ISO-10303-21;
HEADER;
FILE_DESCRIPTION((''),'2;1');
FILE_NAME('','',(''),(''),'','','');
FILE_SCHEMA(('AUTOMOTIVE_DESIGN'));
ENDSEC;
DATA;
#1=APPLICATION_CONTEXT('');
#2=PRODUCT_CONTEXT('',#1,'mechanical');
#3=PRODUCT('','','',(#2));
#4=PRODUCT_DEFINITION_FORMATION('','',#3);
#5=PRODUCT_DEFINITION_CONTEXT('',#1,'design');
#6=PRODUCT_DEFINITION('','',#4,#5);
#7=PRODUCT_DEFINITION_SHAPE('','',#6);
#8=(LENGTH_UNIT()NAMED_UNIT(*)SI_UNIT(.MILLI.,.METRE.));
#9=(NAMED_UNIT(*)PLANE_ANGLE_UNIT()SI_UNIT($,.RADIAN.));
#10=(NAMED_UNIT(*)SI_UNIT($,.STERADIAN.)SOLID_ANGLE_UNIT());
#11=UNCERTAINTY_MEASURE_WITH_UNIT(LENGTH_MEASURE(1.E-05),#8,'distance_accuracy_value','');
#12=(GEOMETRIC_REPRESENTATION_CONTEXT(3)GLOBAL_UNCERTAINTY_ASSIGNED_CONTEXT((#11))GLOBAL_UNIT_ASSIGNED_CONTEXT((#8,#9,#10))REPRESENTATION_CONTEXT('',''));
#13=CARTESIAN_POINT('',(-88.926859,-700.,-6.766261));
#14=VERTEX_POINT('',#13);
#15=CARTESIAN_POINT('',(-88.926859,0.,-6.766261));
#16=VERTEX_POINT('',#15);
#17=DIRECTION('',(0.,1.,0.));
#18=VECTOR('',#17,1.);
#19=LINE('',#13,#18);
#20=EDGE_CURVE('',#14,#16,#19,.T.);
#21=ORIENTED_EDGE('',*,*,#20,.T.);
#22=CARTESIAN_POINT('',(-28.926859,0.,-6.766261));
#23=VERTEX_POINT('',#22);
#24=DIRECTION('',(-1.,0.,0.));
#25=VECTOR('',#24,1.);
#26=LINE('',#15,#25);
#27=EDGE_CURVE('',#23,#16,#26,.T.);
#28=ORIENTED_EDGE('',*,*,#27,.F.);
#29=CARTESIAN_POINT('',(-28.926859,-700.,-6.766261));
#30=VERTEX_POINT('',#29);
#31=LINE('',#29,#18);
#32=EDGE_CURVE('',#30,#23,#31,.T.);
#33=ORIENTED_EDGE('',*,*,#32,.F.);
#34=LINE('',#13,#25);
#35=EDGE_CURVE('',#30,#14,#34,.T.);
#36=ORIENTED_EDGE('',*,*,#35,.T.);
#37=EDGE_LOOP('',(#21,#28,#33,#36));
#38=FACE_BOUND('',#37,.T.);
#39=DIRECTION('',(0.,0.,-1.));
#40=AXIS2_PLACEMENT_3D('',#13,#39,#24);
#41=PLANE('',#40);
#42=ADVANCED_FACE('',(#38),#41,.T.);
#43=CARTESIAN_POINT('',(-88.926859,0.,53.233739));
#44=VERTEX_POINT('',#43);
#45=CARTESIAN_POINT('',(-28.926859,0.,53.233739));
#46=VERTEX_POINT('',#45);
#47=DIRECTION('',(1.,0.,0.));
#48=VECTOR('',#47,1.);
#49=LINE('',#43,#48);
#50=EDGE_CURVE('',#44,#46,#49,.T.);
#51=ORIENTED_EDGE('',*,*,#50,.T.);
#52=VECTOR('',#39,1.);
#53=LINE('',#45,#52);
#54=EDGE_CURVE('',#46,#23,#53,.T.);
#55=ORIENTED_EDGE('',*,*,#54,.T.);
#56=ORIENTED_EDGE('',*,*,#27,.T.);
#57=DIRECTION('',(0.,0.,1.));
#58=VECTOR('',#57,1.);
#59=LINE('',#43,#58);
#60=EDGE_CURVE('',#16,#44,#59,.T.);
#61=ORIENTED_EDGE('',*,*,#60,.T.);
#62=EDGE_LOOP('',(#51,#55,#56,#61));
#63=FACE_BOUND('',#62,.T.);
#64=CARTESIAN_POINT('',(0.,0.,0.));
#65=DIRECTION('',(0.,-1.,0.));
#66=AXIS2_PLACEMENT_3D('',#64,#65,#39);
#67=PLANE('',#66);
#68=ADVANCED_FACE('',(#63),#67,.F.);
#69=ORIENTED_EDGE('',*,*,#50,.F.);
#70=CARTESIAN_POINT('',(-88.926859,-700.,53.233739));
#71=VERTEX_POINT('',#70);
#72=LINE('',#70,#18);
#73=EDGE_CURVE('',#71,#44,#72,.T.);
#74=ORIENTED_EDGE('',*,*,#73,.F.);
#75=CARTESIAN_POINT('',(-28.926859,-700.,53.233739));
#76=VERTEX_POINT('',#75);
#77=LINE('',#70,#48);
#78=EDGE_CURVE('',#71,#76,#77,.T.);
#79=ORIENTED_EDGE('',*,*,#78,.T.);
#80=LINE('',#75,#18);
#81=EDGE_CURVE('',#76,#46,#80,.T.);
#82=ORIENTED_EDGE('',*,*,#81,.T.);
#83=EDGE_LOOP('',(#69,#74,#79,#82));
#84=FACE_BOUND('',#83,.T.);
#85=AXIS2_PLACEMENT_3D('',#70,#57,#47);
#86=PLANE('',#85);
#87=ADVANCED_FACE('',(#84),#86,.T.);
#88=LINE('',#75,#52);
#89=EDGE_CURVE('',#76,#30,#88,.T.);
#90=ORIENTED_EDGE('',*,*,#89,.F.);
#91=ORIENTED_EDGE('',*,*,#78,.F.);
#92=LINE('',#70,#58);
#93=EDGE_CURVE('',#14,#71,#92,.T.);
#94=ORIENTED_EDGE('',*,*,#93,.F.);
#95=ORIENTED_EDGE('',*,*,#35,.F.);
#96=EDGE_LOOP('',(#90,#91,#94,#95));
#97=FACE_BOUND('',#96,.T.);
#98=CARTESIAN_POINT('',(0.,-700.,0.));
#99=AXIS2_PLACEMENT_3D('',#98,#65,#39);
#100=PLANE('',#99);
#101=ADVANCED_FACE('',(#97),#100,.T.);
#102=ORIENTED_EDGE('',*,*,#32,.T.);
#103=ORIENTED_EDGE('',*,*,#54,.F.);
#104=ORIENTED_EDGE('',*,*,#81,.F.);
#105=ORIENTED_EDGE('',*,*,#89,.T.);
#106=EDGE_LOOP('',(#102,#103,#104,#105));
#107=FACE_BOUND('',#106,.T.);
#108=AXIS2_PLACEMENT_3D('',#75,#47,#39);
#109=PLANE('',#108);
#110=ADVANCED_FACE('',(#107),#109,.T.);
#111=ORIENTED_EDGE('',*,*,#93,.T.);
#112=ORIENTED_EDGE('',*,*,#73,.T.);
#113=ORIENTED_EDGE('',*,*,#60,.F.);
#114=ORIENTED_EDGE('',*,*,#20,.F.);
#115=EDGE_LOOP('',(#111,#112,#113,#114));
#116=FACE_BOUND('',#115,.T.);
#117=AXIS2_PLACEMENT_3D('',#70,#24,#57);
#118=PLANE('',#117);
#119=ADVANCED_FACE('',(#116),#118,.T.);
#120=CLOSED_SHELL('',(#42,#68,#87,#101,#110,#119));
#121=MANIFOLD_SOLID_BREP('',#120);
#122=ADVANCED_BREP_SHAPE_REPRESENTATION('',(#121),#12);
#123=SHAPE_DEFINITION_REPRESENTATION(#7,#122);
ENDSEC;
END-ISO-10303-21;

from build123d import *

# Parameters (mm, degrees)
SKETCH1_W           = 60
SKETCH1_H           = 60
BOSS_EXTRUDE1_DEPTH = 700


with BuildPart() as part:
    # Sketch1 → Boss-Extrude1 (new body)
    with BuildSketch(Plane(origin=(0, 0, 0), x_dir=(1, 0, 0), z_dir=(0, 1, 0))):
        with Locations((-58.926858659, -23.233738784)):
            Rectangle(SKETCH1_W, SKETCH1_H)
    extrude(amount=-BOSS_EXTRUDE1_DEPTH)


solid = part.part
